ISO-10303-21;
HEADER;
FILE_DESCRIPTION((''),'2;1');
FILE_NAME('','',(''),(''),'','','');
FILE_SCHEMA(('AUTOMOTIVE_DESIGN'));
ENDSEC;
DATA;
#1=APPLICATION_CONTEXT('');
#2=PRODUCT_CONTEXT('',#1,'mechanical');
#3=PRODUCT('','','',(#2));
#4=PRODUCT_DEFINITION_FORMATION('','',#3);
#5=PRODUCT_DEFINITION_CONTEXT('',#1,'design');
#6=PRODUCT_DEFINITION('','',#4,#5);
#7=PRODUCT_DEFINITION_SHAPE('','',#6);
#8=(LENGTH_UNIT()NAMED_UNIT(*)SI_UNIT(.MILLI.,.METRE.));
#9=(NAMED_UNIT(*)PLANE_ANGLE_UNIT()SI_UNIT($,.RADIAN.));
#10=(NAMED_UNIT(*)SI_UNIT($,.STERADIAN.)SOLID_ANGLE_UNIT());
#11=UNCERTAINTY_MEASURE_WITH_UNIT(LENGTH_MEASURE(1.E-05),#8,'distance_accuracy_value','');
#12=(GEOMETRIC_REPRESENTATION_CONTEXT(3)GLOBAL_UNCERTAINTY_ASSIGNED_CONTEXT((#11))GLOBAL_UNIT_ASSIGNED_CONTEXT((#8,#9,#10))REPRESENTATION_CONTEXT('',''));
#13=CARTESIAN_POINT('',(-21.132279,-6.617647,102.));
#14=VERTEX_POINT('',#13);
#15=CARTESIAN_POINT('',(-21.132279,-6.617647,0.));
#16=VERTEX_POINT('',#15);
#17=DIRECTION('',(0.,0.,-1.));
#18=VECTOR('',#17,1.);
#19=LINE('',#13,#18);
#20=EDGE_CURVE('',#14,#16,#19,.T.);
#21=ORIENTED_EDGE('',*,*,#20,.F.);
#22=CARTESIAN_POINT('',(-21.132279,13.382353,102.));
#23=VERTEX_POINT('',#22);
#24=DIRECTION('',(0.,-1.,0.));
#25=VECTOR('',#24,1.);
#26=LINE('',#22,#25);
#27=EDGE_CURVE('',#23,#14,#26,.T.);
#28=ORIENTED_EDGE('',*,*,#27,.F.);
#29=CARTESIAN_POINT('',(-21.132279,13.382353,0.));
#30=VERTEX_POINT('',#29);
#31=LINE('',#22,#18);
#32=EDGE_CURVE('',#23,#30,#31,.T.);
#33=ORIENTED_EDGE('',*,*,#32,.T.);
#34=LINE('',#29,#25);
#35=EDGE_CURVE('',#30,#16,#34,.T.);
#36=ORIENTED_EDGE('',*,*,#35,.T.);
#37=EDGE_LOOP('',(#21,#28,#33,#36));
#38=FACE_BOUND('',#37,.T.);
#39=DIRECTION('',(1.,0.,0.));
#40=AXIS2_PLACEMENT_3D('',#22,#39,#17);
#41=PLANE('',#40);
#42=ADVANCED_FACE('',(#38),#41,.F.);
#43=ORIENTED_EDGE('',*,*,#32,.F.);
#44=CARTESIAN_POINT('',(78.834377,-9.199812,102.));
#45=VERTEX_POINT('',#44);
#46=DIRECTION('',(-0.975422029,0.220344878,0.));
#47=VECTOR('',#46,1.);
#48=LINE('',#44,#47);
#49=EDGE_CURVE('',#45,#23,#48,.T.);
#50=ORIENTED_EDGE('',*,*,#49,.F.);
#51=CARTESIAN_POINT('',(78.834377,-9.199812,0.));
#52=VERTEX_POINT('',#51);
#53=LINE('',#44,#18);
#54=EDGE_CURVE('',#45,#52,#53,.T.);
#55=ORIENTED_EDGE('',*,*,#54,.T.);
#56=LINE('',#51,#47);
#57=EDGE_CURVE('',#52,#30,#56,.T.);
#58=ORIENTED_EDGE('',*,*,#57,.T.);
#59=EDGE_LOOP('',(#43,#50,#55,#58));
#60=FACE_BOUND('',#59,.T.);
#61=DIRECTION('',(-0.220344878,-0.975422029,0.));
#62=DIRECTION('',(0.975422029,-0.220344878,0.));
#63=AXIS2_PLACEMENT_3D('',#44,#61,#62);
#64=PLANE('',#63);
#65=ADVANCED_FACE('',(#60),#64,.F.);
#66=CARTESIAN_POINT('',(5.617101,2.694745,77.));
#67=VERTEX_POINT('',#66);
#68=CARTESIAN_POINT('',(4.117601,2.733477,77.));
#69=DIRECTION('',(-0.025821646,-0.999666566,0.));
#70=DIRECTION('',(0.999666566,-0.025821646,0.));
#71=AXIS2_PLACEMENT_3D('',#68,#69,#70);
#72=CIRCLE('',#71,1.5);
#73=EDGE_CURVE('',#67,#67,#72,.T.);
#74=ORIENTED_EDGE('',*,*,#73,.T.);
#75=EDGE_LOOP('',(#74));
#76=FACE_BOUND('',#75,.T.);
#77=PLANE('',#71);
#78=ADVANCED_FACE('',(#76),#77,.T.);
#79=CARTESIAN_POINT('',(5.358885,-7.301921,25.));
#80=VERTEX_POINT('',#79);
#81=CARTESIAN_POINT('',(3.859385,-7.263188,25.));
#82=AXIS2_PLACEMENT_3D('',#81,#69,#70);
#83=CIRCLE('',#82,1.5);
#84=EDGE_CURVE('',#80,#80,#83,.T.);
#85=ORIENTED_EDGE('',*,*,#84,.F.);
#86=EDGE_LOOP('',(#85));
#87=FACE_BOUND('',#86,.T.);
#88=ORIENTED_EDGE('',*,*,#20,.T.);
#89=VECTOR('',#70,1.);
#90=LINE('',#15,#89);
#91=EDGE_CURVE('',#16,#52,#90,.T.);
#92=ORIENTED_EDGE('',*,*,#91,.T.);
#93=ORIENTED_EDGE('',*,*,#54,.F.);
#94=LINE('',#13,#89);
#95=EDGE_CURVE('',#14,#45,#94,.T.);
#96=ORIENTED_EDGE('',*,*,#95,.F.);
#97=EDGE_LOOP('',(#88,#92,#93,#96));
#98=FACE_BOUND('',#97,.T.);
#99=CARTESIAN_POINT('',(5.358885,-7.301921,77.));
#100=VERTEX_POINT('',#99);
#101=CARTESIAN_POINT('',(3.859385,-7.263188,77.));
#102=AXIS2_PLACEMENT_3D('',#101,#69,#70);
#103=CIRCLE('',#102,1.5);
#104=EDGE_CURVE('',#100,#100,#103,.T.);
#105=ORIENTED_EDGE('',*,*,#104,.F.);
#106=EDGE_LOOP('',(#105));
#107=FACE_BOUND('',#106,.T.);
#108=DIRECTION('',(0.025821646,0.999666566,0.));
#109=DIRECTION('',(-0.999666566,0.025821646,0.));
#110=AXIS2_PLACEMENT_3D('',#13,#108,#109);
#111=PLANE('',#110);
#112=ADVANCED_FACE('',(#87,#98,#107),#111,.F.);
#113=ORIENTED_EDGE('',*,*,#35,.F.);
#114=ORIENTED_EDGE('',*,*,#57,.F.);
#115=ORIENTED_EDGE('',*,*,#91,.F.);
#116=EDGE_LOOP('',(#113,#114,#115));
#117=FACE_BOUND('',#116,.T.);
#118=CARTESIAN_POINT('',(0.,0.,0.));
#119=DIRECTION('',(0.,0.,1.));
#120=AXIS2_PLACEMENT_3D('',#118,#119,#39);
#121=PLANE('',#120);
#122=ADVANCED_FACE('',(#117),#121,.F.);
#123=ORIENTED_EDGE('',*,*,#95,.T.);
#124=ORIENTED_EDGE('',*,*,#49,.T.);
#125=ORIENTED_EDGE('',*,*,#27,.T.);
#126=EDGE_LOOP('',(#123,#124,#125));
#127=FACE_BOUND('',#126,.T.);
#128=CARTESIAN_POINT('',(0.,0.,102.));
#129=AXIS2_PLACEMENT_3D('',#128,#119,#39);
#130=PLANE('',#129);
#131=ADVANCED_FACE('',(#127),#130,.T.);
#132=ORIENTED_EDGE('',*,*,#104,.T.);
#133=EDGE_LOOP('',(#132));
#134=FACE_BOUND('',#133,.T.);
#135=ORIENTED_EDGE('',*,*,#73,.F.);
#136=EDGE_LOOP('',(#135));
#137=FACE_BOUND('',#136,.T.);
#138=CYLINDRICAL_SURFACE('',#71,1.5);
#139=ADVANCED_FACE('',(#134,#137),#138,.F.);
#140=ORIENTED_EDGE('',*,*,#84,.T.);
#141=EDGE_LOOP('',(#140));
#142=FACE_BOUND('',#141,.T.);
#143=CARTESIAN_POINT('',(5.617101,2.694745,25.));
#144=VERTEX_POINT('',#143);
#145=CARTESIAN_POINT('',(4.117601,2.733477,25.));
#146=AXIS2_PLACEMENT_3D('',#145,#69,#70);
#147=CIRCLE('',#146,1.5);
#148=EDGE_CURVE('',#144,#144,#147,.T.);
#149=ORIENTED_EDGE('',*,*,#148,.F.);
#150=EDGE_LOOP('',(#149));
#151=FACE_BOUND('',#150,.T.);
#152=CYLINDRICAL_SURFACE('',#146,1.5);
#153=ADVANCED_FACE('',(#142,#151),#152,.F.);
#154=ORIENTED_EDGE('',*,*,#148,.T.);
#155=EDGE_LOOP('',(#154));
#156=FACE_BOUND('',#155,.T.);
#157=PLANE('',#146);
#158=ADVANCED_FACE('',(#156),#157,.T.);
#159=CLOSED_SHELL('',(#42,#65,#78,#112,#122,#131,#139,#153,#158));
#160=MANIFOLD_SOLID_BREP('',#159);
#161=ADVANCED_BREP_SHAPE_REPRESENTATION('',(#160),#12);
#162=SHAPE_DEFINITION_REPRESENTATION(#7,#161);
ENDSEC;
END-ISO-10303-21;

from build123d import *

# Parameters (mm, degrees)
RESSALTO_EXTRUS_O1_DEPTH = 102
ESBO_O3_R                = 1.5
CORTE_EXTRUS_O2_DEPTH    = 10


with BuildPart() as part:
    # Esboço1 → Ressalto-extrusão1 (new body)
    with BuildSketch(Plane.XY):
        Polygon((-21.132279289, 13.382352941), (-21.132279289, -6.617647059), (78.834377283, -9.19981162), align=None)
    extrude(amount=RESSALTO_EXTRUS_O1_DEPTH)

    # Esboço3 → Corte-extrusão2 (cut)
    with BuildSketch(Plane(origin=(-0.184911664, -7.158722975, 0), x_dir=(0.999666566, -0.025821646, 0), z_dir=(-0.025821646, -0.999666566, 0))):
        with Locations((4.045645474, 25)):
            Circle(ESBO_O3_R)
        with Locations((4.045645474, 77)):
            Circle(ESBO_O3_R)
    extrude(amount=-CORTE_EXTRUS_O2_DEPTH, mode=Mode.SUBTRACT)


solid = part.part
